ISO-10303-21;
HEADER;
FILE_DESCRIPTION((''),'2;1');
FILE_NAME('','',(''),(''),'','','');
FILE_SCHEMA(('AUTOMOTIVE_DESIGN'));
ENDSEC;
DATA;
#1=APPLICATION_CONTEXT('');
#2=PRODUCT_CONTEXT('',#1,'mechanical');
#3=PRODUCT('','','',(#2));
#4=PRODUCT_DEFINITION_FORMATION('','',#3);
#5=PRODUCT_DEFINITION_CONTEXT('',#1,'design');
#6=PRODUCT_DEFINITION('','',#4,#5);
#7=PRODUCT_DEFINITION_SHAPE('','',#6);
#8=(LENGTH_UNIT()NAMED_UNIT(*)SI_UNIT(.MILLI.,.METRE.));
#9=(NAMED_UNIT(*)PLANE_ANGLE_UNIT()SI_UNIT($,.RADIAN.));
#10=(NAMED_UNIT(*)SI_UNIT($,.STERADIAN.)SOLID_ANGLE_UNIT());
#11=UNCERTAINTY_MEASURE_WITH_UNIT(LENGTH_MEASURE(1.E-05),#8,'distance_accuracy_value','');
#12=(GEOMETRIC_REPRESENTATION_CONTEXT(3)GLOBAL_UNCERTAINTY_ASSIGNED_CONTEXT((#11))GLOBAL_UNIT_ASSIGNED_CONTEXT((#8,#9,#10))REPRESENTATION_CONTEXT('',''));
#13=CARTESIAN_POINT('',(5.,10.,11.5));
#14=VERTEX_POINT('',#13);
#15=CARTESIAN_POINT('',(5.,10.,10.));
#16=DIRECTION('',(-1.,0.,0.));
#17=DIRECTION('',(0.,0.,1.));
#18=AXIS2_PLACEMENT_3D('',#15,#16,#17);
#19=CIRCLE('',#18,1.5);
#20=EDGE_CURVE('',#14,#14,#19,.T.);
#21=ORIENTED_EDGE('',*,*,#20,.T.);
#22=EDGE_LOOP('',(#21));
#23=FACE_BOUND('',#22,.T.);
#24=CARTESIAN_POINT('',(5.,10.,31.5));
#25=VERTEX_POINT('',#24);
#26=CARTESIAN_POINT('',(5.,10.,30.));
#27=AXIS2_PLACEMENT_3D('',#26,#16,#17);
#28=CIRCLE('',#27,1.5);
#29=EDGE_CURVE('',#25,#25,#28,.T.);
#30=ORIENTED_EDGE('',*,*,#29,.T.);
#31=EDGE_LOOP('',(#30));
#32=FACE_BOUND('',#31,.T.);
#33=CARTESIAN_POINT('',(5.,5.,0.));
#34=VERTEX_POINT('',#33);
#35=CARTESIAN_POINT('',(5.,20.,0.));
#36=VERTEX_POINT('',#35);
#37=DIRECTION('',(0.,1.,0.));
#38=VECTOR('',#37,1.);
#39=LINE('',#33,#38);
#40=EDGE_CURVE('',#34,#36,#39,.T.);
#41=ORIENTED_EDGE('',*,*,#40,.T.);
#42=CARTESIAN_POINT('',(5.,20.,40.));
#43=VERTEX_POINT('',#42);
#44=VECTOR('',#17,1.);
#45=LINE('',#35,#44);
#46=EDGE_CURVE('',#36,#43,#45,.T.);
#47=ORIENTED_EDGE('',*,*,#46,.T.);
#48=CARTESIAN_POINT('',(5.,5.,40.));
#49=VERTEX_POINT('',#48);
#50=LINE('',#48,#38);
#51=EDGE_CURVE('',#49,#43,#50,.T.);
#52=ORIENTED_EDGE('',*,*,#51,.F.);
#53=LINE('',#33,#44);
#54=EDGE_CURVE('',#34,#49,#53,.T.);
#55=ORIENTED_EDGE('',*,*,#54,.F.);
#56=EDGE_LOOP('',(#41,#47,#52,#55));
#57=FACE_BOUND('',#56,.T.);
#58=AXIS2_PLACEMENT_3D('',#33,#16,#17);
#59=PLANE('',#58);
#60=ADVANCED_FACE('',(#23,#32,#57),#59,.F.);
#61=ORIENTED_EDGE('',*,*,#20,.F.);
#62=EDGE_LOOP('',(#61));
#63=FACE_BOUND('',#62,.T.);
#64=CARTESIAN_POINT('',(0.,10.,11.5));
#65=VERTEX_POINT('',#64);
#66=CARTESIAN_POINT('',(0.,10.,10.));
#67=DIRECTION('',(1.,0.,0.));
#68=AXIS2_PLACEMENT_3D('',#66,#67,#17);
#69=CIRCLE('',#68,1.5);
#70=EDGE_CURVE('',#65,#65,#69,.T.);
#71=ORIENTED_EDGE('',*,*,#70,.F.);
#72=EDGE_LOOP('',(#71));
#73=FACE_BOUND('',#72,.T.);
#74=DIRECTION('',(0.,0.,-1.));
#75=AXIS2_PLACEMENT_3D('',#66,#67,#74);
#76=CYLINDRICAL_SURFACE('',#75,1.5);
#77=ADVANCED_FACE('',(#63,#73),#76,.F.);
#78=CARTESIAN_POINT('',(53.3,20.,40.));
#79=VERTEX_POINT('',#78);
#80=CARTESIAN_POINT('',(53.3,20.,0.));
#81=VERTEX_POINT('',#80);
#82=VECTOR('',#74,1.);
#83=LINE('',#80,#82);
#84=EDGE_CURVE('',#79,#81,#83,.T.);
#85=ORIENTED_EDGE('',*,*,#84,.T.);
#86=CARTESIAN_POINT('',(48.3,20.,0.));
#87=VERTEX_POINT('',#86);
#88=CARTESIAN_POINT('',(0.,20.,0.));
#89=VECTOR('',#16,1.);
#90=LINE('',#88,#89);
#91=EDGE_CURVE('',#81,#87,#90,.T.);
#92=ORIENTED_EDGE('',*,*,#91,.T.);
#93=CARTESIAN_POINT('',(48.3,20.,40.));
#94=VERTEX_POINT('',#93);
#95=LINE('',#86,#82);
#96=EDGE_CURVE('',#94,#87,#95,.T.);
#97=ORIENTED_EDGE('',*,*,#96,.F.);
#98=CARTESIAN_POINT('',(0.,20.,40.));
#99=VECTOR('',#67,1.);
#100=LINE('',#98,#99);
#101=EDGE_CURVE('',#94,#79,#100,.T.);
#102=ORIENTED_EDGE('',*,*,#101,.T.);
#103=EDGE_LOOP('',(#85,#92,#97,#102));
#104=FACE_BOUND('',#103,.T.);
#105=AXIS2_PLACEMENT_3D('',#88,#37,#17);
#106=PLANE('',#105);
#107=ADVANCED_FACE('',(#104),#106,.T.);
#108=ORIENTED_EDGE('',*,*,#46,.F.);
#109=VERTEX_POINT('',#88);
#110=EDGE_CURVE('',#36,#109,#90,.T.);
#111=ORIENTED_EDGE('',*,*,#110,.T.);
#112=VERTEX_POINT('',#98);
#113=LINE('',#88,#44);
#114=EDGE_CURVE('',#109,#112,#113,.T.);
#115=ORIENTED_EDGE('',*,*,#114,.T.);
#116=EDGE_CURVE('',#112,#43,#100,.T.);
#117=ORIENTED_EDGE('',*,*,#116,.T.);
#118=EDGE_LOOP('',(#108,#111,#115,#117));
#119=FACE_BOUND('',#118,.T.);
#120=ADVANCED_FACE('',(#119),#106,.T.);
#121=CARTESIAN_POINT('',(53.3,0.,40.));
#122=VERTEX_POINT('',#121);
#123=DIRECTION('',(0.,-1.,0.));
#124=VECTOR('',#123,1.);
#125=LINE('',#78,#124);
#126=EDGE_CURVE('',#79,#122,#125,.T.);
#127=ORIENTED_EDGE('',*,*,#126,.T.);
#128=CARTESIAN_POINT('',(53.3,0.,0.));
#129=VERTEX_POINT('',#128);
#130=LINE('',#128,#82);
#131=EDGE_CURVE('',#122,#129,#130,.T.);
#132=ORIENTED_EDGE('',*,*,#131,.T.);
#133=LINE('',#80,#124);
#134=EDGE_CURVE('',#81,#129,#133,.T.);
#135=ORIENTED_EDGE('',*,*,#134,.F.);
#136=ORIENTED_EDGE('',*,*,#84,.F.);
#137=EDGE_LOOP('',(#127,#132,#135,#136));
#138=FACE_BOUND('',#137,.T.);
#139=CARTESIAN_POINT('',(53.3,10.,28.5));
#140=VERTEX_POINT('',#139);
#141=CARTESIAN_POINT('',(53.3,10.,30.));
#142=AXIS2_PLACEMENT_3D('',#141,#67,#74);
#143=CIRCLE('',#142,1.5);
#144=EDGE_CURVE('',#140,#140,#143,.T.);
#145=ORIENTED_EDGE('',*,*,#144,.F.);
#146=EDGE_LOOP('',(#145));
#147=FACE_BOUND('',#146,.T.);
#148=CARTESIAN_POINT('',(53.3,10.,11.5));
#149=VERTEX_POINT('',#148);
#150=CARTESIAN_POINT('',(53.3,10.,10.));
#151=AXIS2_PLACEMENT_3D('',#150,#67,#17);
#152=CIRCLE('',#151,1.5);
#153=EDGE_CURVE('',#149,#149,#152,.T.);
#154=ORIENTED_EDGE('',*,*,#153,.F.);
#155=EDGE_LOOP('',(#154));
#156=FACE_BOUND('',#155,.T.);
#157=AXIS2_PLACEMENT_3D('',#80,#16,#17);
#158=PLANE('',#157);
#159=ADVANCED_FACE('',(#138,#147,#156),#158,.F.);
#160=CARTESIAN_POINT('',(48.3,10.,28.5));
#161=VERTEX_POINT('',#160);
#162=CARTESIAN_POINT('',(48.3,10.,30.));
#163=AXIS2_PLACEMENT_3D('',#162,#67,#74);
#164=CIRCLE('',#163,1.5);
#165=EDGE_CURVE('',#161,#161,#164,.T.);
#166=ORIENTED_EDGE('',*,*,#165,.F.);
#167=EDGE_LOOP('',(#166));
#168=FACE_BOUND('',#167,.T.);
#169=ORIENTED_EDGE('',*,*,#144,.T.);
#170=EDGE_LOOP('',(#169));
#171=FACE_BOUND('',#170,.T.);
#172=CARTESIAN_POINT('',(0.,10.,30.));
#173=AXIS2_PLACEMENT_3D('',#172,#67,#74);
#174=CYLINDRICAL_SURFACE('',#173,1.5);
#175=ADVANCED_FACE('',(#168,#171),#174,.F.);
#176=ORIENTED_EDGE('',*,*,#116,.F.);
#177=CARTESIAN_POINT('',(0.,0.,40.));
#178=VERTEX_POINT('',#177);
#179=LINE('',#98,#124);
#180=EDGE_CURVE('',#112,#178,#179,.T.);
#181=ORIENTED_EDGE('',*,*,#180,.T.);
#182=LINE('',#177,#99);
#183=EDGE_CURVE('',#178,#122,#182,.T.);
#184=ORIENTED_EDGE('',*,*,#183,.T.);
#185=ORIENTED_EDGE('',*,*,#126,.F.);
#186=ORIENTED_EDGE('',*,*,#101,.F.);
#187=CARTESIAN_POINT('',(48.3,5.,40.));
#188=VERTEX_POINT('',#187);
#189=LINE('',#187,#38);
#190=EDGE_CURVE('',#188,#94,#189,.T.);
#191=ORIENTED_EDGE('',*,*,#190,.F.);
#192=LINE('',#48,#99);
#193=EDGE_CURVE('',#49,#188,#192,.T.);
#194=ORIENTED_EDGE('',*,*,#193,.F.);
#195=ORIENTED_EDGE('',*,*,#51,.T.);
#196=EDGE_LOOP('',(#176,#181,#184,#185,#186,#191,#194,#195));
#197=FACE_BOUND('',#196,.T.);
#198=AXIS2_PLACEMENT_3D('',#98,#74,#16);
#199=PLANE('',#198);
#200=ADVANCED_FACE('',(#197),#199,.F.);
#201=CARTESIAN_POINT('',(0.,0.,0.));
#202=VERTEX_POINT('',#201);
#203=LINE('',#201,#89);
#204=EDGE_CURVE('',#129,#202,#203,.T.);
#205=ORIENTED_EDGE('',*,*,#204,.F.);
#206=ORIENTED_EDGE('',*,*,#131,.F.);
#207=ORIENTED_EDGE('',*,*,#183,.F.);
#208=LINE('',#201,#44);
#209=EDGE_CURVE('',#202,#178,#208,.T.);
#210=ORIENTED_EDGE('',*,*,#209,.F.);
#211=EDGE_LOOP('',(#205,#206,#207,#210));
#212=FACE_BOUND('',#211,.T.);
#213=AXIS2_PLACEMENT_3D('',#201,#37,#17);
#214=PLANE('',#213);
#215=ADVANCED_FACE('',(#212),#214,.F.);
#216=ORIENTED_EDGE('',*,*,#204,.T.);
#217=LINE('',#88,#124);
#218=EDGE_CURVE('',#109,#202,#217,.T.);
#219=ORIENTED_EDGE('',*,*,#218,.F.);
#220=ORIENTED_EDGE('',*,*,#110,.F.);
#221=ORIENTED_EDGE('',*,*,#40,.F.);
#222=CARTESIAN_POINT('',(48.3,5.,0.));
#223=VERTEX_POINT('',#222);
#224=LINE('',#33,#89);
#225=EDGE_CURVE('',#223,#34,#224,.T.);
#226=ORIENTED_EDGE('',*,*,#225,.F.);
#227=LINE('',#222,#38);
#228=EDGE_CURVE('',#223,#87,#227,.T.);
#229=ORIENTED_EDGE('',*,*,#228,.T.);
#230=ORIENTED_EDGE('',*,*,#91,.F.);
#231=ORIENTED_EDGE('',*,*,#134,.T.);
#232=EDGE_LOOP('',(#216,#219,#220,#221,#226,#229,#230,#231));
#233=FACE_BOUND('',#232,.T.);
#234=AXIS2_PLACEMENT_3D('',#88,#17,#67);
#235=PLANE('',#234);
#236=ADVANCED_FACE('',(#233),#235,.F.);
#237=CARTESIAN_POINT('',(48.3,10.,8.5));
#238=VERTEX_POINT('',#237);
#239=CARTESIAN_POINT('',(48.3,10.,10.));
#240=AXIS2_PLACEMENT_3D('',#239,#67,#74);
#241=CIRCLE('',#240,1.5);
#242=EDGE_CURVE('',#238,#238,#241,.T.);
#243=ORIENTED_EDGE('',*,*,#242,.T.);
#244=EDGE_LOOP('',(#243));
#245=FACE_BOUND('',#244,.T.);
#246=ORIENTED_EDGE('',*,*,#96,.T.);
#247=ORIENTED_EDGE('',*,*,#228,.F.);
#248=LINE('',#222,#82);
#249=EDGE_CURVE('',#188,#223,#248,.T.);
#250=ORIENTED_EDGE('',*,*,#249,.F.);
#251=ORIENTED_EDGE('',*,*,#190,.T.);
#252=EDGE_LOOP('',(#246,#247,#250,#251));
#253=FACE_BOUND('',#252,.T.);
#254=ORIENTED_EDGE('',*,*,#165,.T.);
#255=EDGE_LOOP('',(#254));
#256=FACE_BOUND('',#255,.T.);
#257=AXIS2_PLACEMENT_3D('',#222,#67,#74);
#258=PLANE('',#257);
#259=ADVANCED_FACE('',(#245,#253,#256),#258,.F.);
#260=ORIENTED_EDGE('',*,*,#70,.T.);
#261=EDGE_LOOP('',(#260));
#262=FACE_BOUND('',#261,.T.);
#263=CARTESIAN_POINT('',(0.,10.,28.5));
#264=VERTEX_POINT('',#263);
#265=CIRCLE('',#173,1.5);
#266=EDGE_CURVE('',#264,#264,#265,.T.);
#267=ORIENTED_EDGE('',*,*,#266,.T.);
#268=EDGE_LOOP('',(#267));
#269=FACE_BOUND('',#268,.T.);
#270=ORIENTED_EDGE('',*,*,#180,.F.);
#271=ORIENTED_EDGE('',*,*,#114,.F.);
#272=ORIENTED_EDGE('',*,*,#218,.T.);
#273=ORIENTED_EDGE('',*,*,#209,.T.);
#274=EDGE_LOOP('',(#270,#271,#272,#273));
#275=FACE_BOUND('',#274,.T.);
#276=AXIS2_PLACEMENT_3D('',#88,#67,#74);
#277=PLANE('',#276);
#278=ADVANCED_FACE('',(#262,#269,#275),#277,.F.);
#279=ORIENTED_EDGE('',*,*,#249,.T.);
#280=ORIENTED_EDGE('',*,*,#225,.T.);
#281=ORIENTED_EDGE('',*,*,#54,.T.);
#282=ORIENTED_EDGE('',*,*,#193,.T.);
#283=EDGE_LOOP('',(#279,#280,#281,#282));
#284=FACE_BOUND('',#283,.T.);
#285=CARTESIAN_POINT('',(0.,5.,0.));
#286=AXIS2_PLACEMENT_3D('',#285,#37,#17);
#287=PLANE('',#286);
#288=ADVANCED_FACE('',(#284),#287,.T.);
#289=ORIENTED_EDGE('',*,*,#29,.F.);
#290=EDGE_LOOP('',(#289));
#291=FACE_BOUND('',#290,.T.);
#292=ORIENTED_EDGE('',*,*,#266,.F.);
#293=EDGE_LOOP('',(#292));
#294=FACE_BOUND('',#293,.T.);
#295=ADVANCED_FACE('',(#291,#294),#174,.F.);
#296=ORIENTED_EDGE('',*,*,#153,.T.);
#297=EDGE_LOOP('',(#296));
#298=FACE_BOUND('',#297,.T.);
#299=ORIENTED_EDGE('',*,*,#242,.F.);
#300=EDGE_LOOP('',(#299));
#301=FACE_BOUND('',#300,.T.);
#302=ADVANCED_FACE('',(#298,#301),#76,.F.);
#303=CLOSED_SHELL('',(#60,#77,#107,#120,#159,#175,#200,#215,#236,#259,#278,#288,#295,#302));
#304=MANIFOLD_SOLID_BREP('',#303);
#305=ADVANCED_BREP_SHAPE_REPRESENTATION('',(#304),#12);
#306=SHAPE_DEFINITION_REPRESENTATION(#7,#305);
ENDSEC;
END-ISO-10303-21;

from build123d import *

# Parameters (mm, degrees)
ESQUISSE1_W             = 53.3
ESQUISSE1_H             = 40
BOSS_EXTRU_1_DEPTH      = 20
ESQUISSE2_W             = 43.3
ESQUISSE2_H             = 40
ENL_V_MAT_EXTRU_1_DEPTH = 15
ESQUISSE3_R             = 1.5
ENL_V_MAT_EXTRU_2_DEPTH = 54.3


with BuildPart() as part:
    # Esquisse1 → Boss.-Extru.1 (new body)
    with BuildSketch(Plane(origin=(0, 0, 0), x_dir=(1, 0, 0), z_dir=(0, 1, 0))):
        with Locations((26.65, -20)):
            Rectangle(ESQUISSE1_W, ESQUISSE1_H)
    extrude(amount=BOSS_EXTRU_1_DEPTH)

    # Esquisse2 → Enlèv. mat.-Extru.1 (cut)
    with BuildSketch(Plane(origin=(0, 20, 0), x_dir=(1, 0, 0), z_dir=(0, 1, 0))):
        with Locations((26.65, -20)):
            Rectangle(ESQUISSE2_W, ESQUISSE2_H)
    extrude(amount=-ENL_V_MAT_EXTRU_1_DEPTH, mode=Mode.SUBTRACT)

    # Esquisse3 → Enlèv. mat.-Extru.2 (cut, through all)
    with BuildSketch(Plane(origin=(53.3, 0, 0), x_dir=(0, 0, -1), z_dir=(1, 0, 0))):
        with Locations((-30, 10)):
            Circle(ESQUISSE3_R)
        with Locations((-10, 10)):
            Circle(ESQUISSE3_R)
    extrude(amount=-ENL_V_MAT_EXTRU_2_DEPTH, mode=Mode.SUBTRACT)


solid = part.part
